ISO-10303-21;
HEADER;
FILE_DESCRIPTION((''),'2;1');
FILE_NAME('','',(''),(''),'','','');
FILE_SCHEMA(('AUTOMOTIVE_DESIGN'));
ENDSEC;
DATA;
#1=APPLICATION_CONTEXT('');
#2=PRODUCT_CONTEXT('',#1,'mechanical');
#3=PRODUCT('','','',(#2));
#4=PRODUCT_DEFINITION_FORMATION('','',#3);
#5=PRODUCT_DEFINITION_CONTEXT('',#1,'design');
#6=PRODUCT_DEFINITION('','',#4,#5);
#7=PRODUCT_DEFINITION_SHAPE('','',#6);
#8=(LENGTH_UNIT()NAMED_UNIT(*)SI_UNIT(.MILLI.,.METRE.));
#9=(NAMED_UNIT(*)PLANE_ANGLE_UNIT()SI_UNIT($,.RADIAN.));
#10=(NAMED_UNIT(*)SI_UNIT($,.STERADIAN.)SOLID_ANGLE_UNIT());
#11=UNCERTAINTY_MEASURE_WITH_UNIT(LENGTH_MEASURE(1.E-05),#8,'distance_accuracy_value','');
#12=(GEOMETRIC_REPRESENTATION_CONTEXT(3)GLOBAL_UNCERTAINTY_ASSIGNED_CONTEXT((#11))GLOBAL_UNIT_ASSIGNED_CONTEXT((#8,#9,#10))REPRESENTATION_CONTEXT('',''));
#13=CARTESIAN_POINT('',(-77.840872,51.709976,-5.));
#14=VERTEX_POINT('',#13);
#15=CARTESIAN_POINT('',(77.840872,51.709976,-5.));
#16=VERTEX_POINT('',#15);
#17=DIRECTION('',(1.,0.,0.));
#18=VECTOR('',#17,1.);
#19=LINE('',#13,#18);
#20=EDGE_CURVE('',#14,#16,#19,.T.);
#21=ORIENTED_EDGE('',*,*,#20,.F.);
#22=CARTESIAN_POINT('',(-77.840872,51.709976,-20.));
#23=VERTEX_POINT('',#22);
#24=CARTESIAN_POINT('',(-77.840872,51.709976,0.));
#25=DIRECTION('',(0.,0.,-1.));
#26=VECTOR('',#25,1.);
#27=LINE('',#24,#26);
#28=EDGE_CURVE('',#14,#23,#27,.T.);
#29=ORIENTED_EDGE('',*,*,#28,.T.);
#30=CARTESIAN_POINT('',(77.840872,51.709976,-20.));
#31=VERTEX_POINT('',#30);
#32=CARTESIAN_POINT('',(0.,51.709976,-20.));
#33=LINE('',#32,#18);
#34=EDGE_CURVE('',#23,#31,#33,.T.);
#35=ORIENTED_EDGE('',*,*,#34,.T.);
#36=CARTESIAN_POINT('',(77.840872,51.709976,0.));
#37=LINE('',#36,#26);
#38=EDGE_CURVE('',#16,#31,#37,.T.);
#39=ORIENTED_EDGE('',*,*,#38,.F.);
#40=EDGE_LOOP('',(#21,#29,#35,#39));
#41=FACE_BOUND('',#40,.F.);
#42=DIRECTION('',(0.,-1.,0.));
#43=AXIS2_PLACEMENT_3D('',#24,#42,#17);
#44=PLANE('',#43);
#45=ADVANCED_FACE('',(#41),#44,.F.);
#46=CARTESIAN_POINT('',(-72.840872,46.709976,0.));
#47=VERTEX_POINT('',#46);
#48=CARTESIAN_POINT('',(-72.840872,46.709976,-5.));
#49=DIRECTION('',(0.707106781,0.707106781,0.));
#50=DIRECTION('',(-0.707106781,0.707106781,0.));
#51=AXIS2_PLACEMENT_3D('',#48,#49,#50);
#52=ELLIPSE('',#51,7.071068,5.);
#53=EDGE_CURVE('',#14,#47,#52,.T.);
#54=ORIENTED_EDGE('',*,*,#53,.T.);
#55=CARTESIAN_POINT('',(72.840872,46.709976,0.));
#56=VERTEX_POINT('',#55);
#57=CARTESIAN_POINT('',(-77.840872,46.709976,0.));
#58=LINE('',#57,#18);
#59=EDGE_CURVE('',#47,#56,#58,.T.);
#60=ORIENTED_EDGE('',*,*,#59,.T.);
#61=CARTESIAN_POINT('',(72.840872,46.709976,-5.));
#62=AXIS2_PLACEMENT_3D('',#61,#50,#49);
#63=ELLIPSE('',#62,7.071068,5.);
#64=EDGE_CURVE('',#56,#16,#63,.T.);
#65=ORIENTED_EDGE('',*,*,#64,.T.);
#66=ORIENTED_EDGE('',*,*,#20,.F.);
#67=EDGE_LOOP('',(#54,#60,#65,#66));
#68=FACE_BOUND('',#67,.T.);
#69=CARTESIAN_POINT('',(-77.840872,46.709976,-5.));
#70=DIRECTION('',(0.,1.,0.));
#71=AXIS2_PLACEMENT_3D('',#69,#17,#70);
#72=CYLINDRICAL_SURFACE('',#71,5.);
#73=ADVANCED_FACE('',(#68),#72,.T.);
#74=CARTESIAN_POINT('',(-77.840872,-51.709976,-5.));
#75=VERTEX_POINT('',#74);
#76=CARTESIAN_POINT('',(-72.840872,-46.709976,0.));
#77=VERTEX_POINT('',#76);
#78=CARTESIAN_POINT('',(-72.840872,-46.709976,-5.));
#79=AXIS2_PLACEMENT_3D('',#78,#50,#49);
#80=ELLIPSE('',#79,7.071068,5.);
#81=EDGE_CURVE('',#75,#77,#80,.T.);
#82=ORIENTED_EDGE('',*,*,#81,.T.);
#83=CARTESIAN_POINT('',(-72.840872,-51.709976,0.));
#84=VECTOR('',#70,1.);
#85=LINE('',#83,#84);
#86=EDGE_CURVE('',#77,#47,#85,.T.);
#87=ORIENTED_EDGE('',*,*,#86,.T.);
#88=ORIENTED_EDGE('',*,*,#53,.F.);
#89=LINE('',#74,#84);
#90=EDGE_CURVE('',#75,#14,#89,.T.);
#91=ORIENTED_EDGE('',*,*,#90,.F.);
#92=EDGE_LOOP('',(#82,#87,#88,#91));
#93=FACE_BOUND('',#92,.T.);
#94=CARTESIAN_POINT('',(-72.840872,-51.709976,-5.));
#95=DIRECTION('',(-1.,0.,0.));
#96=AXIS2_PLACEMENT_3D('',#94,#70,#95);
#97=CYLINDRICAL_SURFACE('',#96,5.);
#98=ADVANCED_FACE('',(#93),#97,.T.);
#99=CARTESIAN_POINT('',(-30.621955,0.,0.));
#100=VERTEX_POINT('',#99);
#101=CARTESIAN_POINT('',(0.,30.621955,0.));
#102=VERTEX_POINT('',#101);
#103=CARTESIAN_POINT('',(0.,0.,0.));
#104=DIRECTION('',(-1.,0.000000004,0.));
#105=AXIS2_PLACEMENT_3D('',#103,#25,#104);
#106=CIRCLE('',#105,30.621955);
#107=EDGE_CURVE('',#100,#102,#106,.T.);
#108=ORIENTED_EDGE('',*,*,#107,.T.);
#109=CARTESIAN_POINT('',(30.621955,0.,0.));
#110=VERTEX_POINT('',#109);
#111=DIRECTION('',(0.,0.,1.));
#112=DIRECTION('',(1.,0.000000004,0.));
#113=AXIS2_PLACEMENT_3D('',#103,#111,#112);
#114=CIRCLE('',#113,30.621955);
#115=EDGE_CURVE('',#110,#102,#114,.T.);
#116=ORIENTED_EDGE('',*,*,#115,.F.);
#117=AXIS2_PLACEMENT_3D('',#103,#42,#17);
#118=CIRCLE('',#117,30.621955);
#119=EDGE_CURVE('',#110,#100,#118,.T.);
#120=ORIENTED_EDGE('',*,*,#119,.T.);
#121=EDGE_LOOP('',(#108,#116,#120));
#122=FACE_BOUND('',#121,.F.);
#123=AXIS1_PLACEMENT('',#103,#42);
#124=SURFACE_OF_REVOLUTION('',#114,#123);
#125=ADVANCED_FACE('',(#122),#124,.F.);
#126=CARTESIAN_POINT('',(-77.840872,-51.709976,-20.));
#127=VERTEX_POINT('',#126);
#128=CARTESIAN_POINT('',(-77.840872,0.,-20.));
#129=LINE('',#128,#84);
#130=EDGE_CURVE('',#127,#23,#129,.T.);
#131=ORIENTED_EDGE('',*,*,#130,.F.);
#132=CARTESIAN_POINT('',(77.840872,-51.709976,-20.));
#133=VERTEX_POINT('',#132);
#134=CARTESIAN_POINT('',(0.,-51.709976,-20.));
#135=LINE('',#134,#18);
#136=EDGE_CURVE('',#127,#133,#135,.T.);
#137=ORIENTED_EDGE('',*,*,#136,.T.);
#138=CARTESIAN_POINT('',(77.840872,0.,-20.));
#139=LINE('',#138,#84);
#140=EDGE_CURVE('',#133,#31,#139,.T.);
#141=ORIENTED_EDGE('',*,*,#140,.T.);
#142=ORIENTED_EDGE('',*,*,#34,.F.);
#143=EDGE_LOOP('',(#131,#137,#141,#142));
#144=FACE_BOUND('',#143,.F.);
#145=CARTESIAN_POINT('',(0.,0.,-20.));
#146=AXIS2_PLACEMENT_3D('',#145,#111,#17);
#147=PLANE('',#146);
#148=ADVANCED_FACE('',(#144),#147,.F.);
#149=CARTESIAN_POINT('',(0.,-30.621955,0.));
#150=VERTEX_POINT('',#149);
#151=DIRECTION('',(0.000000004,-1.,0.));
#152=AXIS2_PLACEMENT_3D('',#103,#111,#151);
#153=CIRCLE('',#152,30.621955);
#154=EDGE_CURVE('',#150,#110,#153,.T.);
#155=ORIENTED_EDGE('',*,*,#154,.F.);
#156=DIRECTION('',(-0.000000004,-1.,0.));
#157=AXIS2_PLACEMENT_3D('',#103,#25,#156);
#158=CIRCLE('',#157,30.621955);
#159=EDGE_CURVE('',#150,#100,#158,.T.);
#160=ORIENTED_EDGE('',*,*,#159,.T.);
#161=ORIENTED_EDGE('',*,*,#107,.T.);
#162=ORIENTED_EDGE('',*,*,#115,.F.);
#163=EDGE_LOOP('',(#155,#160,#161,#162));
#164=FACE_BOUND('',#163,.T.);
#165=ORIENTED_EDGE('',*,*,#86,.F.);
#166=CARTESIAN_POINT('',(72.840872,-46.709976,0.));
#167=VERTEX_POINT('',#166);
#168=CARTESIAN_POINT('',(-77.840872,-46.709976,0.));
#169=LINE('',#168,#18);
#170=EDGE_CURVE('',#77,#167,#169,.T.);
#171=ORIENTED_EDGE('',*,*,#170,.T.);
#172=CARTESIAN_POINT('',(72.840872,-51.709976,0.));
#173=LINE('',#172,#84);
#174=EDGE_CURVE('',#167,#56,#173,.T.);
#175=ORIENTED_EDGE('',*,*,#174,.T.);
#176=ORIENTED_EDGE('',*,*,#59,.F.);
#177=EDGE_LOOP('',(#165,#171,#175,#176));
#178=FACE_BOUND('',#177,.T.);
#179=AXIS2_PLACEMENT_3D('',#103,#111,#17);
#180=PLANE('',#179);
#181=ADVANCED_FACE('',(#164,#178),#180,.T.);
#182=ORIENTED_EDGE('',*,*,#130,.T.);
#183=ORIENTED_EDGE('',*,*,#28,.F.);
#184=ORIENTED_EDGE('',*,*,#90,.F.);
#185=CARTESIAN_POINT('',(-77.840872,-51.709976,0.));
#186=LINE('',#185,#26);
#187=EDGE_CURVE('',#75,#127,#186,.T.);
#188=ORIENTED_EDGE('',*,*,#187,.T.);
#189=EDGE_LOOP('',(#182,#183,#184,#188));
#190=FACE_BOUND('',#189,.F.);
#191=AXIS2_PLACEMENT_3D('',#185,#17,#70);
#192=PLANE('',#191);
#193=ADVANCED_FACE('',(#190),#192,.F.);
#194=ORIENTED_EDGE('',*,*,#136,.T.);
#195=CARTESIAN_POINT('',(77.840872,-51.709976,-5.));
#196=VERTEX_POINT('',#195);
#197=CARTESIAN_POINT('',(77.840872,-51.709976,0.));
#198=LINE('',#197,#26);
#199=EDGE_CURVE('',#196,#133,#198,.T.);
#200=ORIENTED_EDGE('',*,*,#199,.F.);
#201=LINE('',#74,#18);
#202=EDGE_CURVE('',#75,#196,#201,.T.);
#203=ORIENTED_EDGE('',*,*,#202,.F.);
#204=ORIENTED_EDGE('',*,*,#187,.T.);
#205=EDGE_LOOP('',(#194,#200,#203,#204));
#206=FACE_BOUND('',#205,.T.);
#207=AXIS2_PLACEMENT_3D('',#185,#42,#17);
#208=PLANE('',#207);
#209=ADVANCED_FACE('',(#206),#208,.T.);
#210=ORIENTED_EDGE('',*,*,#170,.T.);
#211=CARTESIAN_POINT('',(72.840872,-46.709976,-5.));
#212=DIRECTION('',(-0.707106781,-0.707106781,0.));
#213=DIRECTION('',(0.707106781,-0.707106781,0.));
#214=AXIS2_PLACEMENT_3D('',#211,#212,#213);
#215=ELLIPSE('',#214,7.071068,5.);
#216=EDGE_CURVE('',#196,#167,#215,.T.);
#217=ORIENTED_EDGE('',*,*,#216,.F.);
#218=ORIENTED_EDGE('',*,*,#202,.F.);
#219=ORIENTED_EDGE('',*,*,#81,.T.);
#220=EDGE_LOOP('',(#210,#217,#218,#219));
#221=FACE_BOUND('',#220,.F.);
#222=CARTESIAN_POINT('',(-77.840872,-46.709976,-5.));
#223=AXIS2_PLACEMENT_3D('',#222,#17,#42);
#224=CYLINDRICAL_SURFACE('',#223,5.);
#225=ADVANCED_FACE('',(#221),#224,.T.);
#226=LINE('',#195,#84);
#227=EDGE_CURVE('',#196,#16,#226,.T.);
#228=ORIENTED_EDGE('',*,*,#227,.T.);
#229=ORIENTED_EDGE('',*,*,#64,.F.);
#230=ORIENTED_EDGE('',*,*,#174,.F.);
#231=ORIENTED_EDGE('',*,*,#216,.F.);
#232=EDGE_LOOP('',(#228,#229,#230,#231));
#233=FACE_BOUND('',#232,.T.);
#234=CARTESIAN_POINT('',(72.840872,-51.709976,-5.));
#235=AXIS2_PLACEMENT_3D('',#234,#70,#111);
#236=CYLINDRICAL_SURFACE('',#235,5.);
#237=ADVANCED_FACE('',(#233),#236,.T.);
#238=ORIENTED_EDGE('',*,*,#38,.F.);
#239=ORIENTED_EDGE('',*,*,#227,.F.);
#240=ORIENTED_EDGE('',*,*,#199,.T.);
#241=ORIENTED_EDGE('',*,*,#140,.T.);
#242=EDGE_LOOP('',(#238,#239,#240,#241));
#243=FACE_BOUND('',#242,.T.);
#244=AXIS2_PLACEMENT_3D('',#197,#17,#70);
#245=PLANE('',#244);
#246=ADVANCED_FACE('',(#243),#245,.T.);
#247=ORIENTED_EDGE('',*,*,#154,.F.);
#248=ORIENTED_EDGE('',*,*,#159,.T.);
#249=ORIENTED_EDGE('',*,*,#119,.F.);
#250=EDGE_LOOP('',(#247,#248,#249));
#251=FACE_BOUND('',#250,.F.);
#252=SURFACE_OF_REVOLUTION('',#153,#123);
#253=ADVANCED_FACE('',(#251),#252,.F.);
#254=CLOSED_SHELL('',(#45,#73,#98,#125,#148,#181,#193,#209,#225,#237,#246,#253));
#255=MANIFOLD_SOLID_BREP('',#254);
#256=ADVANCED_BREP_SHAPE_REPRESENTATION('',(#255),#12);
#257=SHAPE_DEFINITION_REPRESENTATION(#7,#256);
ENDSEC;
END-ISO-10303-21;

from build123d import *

# Parameters (mm, degrees)
F0_W     = 155.681744
F0_H     = 103.419952
F1_DEPTH = 20
F2_ANGLE = -180
F3_R     = 5


with BuildPart() as f1:
    # F0 (on Top) → F1 (new body)
    with BuildSketch(Plane.XY):
        Rectangle(F0_W, F0_H)
        with BuildLine():
            ThreePointArc((0, 30.621955), (21.652992, 21.652992), (30.621955, 0))
            ThreePointArc((30.621955, 0), (21.652992, -21.652992), (0, -30.621955))
            ThreePointArc((0, -30.621955), (-30.621955, 0), (0, 30.621955))
        make_face(mode=Mode.SUBTRACT)
        with BuildLine():
            Line((0, -30.621955), (0, 30.621955))
            ThreePointArc((0, 30.621955), (-30.621955, 0), (0, -30.621955))
        make_face()
        with BuildLine():
            ThreePointArc((0, -30.621955), (21.652992, -21.652992), (30.621955, 0))
            ThreePointArc((30.621955, 0), (21.652992, 21.652992), (0, 30.621955))
            Line((0, 30.621955), (0, -30.621955))
        make_face()
    extrude(amount=-F1_DEPTH)

    # F0 (on Top) → F2 (revolve)
    with BuildSketch(Plane.XY):
        with BuildLine():
            ThreePointArc((0, -30.621955), (21.652992, -21.652992), (30.621955, 0))
            ThreePointArc((30.621955, 0), (21.652992, 21.652992), (0, 30.621955))
            Line((0, 30.621955), (0, -30.621955))
        make_face()
    revolve(axis=Axis((0, 0, 0), (0, 1, 0)), revolution_arc=F2_ANGLE)

    # F3
    f3_edges = [f1.edges().sort_by_distance(p)[0] for p in [
        (-77.840872, 0, 0),
        (0, -51.709976, 0),
        (77.840872, 0, 0),
        (0, 51.709976, 0),
    ]]
    fillet(f3_edges, radius=F3_R)


solid = f1.part
